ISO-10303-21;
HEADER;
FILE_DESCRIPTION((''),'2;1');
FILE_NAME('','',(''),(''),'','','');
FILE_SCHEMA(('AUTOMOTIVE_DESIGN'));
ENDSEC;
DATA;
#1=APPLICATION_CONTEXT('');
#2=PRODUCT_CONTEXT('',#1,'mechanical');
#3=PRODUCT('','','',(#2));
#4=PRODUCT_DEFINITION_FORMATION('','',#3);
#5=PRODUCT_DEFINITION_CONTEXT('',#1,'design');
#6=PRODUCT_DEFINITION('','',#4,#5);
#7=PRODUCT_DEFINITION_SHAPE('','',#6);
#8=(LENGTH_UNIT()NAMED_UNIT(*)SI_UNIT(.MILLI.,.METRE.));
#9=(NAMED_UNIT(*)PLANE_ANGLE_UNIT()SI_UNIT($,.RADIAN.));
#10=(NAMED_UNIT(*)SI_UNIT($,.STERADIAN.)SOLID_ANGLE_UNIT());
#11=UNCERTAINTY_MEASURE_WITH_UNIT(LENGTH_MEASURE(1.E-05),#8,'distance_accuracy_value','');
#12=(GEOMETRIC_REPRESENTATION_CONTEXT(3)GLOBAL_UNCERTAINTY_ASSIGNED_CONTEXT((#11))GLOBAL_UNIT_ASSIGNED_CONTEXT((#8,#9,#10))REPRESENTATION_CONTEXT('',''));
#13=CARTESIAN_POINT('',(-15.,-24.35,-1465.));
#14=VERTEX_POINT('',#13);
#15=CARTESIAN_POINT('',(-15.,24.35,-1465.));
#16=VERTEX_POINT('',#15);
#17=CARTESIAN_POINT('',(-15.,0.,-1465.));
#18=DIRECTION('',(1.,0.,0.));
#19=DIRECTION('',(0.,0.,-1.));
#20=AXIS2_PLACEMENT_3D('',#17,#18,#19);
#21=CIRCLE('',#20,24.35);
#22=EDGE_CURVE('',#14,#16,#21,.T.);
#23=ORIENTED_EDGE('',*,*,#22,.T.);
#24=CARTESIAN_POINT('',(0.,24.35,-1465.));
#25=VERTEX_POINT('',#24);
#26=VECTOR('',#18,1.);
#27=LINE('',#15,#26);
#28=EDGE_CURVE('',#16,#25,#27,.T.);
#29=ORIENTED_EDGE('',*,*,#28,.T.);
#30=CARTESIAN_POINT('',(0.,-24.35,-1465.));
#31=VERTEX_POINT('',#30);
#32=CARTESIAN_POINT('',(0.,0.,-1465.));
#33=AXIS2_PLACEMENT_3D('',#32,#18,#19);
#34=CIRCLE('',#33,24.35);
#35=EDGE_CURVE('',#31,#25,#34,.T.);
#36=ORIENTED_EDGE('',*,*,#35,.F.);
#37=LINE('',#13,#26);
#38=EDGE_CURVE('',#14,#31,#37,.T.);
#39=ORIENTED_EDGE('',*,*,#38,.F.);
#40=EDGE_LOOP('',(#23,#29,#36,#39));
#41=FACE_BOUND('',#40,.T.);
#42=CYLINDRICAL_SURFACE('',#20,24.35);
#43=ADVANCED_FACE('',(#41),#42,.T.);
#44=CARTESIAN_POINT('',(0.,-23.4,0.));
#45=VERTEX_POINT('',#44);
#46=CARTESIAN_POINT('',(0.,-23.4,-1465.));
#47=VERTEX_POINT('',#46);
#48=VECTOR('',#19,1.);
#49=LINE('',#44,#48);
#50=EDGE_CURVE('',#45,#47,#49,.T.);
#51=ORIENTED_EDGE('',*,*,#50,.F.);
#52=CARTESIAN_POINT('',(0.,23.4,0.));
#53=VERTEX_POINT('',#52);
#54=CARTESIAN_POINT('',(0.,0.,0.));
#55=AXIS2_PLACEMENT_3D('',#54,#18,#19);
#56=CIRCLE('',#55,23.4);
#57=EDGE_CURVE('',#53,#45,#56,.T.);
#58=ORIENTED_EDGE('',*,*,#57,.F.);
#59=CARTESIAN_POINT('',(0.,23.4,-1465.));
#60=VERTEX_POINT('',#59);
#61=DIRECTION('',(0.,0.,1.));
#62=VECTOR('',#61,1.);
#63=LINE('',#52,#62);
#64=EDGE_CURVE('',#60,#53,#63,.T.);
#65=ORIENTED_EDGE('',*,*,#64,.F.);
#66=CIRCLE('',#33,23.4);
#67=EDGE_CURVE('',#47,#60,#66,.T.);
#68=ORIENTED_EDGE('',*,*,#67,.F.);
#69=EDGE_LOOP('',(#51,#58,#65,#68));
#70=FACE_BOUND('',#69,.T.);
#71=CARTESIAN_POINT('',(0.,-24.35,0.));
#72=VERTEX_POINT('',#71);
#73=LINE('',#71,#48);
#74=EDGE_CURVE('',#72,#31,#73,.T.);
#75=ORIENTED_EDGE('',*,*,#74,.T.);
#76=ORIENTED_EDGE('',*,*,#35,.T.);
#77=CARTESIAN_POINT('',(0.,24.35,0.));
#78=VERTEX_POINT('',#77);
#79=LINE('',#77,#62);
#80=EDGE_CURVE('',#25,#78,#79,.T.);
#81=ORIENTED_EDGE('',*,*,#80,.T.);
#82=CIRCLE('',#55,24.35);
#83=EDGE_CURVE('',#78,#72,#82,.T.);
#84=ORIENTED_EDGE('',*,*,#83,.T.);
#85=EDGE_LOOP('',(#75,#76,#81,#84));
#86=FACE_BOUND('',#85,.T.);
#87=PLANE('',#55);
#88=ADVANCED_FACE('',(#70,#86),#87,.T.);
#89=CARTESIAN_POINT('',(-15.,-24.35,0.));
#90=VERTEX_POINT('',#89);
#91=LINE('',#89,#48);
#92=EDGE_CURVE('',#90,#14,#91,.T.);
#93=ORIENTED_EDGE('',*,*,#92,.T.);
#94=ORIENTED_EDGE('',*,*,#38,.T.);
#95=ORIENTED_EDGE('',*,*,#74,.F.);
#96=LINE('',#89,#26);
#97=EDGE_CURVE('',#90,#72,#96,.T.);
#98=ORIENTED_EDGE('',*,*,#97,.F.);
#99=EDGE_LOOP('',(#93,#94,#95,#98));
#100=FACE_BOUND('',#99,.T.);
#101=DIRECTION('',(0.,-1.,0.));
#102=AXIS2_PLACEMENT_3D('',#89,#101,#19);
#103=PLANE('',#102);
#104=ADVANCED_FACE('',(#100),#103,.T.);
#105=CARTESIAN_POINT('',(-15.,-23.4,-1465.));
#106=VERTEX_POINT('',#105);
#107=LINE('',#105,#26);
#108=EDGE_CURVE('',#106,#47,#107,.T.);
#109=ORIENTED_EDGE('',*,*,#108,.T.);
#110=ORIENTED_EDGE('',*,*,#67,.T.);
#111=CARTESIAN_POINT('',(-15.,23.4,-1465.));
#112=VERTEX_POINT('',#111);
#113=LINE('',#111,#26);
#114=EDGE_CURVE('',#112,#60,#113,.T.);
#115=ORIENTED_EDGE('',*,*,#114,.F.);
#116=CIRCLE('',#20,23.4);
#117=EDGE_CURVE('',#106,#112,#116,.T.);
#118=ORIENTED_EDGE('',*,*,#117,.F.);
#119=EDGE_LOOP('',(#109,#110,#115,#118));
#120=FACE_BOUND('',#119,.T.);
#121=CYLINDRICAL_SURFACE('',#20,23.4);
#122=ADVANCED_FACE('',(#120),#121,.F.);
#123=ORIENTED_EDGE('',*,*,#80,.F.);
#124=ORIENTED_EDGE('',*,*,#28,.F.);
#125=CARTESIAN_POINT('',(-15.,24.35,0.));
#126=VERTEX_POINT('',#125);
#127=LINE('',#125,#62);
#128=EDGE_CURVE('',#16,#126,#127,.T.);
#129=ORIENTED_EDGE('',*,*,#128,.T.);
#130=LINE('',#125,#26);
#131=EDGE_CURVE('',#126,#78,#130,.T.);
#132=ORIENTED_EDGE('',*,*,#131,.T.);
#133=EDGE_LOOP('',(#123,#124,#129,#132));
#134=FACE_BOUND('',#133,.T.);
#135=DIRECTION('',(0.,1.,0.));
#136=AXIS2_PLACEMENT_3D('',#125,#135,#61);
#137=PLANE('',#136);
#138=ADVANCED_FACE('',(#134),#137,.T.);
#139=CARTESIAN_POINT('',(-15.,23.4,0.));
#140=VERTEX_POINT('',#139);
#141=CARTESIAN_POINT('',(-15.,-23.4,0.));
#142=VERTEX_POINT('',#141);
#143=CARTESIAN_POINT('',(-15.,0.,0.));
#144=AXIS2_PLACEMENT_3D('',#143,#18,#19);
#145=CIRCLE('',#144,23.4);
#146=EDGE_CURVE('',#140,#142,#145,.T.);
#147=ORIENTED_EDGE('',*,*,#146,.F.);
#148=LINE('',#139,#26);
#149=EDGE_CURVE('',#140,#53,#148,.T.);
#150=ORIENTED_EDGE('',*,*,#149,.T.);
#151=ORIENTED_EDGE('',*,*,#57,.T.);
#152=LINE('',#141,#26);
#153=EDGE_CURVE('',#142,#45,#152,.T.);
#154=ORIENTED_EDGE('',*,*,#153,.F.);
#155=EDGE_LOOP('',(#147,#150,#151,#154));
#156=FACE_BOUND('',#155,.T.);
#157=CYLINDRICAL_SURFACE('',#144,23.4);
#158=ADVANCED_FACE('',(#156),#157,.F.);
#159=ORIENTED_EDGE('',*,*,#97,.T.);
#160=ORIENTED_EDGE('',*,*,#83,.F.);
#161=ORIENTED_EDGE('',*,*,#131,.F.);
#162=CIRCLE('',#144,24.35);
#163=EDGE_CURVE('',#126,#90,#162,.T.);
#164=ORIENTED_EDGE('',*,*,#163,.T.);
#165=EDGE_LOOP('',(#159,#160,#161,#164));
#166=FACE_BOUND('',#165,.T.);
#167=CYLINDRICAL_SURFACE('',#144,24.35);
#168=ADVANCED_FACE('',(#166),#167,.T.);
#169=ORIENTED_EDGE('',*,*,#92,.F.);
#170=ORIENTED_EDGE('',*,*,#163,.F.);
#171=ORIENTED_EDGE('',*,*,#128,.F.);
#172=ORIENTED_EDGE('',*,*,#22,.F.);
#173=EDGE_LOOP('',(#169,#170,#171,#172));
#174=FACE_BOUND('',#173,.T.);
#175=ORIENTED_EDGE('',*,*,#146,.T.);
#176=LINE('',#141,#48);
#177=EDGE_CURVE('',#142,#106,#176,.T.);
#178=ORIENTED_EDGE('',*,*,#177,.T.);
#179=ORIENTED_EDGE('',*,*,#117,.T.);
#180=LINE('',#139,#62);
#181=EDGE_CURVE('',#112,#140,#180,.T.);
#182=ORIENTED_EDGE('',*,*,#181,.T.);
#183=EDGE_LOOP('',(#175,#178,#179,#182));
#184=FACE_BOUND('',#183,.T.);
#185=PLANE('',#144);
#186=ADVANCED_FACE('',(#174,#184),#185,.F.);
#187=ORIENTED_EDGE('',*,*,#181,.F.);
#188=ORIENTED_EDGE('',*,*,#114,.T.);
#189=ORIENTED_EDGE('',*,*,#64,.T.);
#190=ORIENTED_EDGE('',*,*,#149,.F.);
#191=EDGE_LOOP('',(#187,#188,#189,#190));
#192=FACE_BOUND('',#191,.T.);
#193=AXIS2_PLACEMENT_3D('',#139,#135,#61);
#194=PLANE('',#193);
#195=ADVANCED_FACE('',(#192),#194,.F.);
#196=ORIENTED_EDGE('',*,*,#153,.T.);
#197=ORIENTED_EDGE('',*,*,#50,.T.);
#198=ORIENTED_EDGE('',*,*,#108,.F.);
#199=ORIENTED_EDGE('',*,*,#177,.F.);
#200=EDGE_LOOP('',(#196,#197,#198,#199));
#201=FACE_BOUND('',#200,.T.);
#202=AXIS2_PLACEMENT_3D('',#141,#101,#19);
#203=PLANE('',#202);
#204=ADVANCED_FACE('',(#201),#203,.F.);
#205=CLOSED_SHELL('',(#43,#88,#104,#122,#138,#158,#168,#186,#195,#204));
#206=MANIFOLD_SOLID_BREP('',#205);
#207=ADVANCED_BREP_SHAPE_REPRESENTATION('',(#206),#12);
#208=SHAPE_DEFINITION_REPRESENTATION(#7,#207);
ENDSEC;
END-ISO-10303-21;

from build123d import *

# Parameters (mm, degrees)
BOSS_EXTRUDE1_DEPTH = 15


with BuildPart() as part:
    # Sketch1 → Boss-Extrude1 (new body)
    with BuildSketch(Plane(origin=(0, 0, 0), x_dir=(0, 0, -1), z_dir=(1, 0, 0))):
        with BuildLine():
            Line((0, 24.35), (1465, 24.35))
            ThreePointArc((1465, 24.35), (1489.35, 0), (1465, -24.35))
            Line((1465, -24.35), (0, -24.35))
            ThreePointArc((0, -24.35), (-24.35, 0), (0, 24.35))
        make_face()
        with BuildLine():
            Line((0, 23.4), (1465, 23.4))
            ThreePointArc((1465, 23.4), (1488.4, 0), (1465, -23.4))
            Line((1465, -23.4), (0, -23.4))
            ThreePointArc((0, -23.4), (-23.4, 0), (0, 23.4))
        make_face(mode=Mode.SUBTRACT)
    extrude(amount=-BOSS_EXTRUDE1_DEPTH)


solid = part.part
